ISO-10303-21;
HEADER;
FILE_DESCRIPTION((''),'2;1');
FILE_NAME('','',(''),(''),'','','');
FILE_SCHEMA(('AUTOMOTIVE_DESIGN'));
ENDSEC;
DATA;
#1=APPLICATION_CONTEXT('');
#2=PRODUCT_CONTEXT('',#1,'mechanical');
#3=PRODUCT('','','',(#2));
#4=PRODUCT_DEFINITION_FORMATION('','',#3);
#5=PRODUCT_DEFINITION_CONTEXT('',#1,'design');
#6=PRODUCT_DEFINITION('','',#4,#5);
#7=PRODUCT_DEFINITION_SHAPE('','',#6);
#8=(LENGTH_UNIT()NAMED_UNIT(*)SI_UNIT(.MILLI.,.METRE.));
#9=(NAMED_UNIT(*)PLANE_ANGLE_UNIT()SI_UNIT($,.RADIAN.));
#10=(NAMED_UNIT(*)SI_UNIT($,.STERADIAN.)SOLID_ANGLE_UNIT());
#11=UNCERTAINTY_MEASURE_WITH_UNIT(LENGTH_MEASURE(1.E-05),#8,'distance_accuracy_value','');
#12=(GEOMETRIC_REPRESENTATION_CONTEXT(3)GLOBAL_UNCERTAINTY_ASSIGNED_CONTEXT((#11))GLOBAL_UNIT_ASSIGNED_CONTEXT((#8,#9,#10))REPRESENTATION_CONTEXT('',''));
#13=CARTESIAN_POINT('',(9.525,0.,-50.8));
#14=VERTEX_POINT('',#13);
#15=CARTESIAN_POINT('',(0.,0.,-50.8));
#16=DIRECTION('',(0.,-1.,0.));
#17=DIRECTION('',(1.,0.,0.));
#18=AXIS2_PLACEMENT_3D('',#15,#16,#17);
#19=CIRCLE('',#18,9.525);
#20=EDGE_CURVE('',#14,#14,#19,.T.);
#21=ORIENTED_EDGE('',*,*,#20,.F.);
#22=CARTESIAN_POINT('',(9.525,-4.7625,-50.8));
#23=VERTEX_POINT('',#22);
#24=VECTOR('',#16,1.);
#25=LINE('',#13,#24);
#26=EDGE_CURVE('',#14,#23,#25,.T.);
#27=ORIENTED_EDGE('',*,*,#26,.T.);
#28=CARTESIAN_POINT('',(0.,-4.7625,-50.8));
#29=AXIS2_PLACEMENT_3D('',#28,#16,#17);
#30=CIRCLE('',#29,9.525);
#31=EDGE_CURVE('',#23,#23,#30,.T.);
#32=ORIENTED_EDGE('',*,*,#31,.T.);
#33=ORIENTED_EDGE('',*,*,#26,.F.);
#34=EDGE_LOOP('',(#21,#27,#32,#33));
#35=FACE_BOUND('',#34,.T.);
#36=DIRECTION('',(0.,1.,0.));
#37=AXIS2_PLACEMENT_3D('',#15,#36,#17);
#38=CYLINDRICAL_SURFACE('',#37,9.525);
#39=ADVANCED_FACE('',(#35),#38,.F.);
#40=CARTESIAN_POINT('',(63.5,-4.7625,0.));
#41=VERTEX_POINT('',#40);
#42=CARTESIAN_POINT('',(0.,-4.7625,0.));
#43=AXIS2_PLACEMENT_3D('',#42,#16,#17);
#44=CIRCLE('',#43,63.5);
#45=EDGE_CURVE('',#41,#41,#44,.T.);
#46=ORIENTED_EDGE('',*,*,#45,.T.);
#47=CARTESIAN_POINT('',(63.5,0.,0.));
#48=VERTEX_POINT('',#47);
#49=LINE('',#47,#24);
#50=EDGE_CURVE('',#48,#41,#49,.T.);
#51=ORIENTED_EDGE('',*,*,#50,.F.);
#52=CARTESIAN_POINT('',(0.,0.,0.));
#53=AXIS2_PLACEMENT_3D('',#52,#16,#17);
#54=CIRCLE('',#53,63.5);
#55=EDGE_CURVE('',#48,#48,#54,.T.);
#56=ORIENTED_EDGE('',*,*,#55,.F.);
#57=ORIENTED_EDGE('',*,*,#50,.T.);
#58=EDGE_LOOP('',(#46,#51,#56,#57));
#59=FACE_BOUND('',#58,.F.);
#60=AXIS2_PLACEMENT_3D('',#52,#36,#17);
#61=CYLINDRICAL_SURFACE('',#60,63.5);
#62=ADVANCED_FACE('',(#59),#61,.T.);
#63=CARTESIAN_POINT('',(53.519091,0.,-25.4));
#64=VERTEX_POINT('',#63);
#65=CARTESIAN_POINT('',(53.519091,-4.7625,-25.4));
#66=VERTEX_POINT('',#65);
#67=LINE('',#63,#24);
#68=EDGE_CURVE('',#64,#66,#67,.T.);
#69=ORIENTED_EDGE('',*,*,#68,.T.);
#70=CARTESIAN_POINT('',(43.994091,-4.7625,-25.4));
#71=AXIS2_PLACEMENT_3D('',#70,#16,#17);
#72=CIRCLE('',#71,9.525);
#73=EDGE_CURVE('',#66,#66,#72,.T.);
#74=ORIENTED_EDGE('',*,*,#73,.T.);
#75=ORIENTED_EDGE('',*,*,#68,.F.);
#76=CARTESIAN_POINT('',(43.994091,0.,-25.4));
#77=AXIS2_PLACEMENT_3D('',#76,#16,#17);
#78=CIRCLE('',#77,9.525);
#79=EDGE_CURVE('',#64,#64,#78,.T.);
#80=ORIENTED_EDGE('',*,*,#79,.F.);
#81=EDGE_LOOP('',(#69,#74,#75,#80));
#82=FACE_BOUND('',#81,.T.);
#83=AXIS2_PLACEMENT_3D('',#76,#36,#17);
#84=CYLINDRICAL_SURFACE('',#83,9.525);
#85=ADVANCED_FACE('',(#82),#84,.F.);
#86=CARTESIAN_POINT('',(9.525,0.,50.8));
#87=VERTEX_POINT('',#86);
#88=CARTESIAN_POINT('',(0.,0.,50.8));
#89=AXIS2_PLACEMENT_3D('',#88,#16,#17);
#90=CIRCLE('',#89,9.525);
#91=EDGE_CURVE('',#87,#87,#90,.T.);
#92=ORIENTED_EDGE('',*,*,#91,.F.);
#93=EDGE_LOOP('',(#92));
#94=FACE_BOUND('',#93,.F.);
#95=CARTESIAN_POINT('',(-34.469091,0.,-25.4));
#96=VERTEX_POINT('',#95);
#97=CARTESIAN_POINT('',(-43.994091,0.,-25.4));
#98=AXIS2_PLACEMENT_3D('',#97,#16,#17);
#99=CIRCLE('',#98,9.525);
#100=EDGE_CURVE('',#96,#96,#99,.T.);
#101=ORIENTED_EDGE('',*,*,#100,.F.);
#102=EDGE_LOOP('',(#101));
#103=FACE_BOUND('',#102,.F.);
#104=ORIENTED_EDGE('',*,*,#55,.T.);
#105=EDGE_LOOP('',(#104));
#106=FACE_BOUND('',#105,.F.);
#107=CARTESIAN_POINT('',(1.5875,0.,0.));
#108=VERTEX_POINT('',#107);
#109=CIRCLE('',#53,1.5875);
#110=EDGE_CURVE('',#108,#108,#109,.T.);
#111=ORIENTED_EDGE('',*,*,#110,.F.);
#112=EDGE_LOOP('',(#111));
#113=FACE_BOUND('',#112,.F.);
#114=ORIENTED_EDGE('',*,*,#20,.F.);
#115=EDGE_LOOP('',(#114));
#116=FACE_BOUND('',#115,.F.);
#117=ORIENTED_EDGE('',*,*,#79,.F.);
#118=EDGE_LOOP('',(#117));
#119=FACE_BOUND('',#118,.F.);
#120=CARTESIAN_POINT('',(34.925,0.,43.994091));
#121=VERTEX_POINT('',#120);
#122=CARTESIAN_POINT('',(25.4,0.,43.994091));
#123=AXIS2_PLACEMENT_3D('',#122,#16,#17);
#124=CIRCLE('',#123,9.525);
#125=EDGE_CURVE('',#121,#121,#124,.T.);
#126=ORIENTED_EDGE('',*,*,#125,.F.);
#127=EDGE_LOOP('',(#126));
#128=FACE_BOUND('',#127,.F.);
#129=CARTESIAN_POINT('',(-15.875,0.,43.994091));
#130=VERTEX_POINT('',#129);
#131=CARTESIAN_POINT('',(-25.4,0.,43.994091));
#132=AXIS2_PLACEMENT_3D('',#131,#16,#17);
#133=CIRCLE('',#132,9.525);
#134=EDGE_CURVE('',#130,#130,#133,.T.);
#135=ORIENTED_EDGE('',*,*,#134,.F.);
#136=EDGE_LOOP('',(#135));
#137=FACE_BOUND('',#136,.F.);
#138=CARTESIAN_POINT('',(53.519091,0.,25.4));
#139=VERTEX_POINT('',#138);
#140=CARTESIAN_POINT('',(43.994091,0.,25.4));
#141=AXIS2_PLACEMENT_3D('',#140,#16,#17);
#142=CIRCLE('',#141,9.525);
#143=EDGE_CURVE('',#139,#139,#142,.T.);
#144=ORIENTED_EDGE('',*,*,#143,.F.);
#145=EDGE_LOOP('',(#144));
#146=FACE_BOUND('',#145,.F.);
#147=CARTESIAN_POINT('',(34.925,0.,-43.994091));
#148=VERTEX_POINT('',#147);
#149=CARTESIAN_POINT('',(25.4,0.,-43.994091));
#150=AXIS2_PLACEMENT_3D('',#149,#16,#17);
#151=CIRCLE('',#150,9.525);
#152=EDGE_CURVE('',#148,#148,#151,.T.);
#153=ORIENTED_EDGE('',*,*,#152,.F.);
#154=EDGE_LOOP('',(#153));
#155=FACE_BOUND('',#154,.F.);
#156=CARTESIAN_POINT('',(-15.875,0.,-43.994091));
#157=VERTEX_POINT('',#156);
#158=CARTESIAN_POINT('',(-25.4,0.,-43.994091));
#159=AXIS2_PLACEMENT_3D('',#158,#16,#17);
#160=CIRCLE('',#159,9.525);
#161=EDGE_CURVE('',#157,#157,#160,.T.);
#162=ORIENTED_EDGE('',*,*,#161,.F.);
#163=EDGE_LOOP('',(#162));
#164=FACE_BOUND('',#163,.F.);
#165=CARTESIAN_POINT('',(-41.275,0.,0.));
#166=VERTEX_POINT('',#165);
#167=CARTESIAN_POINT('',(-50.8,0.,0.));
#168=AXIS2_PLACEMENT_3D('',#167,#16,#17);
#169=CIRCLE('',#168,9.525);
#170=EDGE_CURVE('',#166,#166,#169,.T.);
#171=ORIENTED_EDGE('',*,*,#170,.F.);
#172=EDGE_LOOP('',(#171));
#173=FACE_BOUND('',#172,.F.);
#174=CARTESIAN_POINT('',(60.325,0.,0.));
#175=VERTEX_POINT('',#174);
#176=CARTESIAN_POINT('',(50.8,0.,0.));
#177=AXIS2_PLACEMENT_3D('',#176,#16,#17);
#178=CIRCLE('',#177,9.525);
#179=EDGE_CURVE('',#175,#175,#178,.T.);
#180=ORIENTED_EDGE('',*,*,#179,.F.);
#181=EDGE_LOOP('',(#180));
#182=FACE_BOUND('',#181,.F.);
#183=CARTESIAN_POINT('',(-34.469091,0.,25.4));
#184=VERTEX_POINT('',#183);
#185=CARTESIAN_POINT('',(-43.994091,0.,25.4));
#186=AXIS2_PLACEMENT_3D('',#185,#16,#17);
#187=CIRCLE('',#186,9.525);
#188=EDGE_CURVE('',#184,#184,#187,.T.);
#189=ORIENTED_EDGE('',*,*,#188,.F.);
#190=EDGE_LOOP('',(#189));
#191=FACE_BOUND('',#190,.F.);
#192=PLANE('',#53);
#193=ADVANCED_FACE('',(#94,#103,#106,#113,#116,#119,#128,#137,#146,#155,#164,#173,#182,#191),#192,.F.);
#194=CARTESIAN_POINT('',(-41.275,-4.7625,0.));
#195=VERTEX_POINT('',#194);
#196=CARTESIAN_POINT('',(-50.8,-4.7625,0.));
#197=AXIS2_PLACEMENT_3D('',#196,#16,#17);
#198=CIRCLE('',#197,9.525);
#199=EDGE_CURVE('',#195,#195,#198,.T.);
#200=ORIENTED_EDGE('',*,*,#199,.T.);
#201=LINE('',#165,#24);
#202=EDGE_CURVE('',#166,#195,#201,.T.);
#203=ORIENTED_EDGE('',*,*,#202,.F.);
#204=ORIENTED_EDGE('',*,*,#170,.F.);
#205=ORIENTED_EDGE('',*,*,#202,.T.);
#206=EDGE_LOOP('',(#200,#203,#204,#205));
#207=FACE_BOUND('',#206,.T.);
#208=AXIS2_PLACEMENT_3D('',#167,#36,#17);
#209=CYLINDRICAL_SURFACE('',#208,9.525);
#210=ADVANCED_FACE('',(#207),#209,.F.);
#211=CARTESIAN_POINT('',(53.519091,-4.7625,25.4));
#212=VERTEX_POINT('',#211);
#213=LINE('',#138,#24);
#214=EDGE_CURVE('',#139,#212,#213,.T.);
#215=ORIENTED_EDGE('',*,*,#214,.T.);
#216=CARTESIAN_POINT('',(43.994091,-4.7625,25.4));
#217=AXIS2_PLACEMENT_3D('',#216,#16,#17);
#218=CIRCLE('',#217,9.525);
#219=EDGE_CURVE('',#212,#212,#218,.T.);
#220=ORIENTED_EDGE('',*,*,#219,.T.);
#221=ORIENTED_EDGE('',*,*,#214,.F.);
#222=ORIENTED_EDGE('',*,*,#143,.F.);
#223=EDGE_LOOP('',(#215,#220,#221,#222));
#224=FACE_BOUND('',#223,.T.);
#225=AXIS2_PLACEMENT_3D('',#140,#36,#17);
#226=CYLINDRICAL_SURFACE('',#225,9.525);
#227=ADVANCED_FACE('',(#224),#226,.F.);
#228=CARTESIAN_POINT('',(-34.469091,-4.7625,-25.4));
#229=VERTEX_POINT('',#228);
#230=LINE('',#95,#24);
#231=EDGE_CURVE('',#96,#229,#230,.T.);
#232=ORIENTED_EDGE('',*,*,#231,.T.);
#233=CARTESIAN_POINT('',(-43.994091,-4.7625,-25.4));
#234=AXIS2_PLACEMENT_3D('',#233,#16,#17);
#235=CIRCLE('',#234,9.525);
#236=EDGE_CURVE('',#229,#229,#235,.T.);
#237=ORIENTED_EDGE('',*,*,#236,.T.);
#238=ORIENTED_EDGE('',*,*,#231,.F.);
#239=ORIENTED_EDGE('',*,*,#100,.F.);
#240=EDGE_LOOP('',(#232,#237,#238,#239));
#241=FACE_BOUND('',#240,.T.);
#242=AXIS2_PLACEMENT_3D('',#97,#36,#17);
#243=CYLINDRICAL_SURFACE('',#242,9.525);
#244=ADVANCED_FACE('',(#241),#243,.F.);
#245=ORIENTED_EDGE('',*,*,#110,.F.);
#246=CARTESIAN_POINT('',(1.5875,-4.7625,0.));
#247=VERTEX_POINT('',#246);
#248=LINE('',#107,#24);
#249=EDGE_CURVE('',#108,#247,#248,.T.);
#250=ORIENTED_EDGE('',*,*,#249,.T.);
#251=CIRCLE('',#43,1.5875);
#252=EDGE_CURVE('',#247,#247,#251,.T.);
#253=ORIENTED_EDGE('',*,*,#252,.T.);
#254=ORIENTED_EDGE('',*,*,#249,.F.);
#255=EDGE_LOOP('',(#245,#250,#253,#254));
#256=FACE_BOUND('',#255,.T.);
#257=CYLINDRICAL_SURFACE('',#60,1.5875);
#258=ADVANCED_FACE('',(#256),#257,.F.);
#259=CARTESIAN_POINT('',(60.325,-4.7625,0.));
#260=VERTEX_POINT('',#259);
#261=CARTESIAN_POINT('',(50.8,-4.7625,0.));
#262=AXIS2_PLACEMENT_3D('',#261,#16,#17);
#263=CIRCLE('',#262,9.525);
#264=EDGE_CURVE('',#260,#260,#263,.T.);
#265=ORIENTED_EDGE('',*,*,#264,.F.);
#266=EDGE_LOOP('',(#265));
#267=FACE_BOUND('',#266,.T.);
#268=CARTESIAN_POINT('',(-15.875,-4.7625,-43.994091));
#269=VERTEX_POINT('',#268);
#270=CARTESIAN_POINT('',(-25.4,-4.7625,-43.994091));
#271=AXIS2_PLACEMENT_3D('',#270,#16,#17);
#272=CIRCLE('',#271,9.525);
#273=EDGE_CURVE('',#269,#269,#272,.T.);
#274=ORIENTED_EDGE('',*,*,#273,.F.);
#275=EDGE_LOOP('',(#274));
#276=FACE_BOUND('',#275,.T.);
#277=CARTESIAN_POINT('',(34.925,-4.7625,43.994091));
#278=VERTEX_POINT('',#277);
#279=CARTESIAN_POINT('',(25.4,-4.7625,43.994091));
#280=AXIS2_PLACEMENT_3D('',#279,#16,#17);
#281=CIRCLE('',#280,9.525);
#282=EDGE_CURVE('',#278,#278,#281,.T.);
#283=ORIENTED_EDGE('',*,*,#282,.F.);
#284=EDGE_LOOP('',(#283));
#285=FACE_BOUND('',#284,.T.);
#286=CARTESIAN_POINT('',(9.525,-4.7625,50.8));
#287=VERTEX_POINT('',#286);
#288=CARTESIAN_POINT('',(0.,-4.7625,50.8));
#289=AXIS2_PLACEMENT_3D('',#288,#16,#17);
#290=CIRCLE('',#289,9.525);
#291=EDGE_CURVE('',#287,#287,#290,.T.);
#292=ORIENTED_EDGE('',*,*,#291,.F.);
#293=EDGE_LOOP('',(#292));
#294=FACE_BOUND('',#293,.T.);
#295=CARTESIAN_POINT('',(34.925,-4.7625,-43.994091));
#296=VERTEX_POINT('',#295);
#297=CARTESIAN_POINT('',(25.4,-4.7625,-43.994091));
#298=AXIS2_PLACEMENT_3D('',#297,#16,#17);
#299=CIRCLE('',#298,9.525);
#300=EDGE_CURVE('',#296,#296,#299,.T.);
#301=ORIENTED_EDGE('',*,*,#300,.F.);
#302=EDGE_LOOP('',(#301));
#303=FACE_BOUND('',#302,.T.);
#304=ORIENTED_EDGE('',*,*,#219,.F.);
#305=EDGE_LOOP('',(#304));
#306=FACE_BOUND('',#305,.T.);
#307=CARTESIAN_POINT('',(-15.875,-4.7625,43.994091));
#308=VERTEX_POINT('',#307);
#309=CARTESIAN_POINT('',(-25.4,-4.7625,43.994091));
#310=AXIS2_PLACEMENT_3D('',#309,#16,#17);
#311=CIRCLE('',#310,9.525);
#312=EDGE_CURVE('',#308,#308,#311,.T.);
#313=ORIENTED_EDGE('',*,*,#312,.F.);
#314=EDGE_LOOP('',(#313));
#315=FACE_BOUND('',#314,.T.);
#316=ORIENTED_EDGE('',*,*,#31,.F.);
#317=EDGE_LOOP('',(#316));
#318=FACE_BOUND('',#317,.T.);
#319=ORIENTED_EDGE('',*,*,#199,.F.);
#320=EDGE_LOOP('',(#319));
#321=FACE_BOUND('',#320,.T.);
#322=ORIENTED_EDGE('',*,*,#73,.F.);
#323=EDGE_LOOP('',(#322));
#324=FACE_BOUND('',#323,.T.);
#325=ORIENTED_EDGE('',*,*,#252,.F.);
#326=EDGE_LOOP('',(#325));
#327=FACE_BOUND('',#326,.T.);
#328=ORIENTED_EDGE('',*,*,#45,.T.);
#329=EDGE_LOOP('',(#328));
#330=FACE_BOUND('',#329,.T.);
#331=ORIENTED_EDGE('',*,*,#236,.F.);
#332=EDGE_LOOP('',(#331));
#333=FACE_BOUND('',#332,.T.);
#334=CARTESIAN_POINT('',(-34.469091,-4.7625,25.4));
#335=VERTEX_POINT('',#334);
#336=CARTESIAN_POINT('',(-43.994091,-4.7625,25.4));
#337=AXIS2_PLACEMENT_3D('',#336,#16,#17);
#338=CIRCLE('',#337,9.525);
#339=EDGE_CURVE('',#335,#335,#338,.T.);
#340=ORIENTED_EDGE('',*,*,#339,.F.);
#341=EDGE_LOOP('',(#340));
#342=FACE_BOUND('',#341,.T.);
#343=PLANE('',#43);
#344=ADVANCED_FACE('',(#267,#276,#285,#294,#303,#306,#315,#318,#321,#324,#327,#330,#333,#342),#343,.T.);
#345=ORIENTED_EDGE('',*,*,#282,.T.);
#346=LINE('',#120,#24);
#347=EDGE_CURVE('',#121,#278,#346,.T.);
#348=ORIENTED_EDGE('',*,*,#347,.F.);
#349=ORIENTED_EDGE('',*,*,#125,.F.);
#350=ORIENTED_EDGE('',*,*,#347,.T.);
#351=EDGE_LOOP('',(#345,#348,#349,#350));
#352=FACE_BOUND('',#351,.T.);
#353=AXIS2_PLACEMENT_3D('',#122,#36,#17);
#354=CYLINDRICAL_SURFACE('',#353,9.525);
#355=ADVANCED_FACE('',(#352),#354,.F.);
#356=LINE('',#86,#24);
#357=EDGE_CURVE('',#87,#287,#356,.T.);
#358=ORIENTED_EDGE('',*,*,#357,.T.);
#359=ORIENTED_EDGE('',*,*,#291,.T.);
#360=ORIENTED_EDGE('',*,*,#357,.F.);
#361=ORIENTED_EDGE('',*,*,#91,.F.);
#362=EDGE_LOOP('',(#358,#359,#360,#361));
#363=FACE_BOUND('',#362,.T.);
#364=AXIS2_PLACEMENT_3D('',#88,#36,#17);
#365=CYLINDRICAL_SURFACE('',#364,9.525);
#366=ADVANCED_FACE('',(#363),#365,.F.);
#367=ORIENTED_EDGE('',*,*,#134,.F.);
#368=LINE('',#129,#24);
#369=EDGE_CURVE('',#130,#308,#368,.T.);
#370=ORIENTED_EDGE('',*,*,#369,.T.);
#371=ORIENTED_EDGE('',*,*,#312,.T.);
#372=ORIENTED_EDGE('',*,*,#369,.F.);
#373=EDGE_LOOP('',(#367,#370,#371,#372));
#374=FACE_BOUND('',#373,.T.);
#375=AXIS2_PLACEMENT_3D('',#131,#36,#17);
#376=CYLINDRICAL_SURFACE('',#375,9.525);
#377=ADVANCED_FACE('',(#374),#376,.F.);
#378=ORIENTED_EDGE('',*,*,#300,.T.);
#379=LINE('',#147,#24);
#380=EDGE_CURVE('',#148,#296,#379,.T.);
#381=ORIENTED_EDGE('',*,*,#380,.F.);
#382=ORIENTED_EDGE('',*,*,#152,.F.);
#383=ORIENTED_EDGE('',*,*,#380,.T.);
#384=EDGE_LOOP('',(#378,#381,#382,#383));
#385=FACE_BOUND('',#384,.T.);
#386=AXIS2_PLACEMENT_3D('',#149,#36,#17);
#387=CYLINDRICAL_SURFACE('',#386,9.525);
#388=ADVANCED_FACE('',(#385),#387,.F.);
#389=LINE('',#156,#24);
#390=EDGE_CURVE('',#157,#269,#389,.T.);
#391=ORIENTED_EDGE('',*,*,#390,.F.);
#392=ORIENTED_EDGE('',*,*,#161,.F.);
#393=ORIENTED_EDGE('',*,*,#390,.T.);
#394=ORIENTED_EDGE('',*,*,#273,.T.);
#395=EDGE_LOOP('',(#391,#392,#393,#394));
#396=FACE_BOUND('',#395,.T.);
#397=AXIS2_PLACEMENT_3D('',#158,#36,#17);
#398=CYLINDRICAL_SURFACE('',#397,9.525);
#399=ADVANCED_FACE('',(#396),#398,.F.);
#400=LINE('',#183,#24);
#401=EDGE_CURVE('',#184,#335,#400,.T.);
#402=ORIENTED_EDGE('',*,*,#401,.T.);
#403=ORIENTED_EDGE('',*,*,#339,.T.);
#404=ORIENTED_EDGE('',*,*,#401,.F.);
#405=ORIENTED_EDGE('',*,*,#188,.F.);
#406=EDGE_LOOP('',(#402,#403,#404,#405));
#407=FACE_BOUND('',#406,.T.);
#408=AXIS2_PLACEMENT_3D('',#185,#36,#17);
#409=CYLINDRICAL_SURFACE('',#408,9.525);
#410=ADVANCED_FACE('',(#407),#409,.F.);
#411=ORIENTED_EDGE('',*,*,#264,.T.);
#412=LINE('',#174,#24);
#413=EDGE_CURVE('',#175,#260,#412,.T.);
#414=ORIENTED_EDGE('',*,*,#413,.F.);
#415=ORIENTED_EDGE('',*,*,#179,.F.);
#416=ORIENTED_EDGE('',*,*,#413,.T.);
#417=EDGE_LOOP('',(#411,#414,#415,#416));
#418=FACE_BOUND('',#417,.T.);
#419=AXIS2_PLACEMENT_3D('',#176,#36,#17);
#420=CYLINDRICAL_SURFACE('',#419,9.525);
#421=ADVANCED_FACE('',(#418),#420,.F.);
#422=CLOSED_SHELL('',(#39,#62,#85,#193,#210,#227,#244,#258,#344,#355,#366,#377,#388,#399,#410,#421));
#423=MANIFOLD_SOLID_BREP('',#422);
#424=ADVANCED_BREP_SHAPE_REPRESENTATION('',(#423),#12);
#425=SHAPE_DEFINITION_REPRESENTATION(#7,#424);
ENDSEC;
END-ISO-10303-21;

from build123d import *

# Parameters (mm, degrees)
F0_R     = 63.5
F0_R_2   = 9.525
F0_R_3   = 1.5875
F1_DEPTH = 4.7625


with BuildPart() as f1:
    # F0 (on Front) → F1 (new body)
    with BuildSketch(Plane.XZ):
        Circle(F0_R)
        with Locations((-25.4, -43.994091)):
            Circle(F0_R_2, mode=Mode.SUBTRACT)
        with Locations((-43.994091, -25.4)):
            Circle(F0_R_2, mode=Mode.SUBTRACT)
        with Locations((0, -50.8)):
            Circle(F0_R_2, mode=Mode.SUBTRACT)
        with Locations((25.4, -43.994091)):
            Circle(F0_R_2, mode=Mode.SUBTRACT)
        with Locations((43.994091, -25.4)):
            Circle(F0_R_2, mode=Mode.SUBTRACT)
        with Locations((-50.8, 0)):
            Circle(F0_R_2, mode=Mode.SUBTRACT)
        with Locations((-43.994091, 25.4)):
            Circle(F0_R_2, mode=Mode.SUBTRACT)
        with Locations((-25.4, 43.994091)):
            Circle(F0_R_2, mode=Mode.SUBTRACT)
        Circle(F0_R_3, mode=Mode.SUBTRACT)
        with Locations((50.8, 0)):
            Circle(F0_R_2, mode=Mode.SUBTRACT)
        with Locations((43.994091, 25.4)):
            Circle(F0_R_2, mode=Mode.SUBTRACT)
        with Locations((25.4, 43.994091)):
            Circle(F0_R_2, mode=Mode.SUBTRACT)
        with Locations((0, 50.8)):
            Circle(F0_R_2, mode=Mode.SUBTRACT)
    extrude(amount=F1_DEPTH)


solid = f1.part
